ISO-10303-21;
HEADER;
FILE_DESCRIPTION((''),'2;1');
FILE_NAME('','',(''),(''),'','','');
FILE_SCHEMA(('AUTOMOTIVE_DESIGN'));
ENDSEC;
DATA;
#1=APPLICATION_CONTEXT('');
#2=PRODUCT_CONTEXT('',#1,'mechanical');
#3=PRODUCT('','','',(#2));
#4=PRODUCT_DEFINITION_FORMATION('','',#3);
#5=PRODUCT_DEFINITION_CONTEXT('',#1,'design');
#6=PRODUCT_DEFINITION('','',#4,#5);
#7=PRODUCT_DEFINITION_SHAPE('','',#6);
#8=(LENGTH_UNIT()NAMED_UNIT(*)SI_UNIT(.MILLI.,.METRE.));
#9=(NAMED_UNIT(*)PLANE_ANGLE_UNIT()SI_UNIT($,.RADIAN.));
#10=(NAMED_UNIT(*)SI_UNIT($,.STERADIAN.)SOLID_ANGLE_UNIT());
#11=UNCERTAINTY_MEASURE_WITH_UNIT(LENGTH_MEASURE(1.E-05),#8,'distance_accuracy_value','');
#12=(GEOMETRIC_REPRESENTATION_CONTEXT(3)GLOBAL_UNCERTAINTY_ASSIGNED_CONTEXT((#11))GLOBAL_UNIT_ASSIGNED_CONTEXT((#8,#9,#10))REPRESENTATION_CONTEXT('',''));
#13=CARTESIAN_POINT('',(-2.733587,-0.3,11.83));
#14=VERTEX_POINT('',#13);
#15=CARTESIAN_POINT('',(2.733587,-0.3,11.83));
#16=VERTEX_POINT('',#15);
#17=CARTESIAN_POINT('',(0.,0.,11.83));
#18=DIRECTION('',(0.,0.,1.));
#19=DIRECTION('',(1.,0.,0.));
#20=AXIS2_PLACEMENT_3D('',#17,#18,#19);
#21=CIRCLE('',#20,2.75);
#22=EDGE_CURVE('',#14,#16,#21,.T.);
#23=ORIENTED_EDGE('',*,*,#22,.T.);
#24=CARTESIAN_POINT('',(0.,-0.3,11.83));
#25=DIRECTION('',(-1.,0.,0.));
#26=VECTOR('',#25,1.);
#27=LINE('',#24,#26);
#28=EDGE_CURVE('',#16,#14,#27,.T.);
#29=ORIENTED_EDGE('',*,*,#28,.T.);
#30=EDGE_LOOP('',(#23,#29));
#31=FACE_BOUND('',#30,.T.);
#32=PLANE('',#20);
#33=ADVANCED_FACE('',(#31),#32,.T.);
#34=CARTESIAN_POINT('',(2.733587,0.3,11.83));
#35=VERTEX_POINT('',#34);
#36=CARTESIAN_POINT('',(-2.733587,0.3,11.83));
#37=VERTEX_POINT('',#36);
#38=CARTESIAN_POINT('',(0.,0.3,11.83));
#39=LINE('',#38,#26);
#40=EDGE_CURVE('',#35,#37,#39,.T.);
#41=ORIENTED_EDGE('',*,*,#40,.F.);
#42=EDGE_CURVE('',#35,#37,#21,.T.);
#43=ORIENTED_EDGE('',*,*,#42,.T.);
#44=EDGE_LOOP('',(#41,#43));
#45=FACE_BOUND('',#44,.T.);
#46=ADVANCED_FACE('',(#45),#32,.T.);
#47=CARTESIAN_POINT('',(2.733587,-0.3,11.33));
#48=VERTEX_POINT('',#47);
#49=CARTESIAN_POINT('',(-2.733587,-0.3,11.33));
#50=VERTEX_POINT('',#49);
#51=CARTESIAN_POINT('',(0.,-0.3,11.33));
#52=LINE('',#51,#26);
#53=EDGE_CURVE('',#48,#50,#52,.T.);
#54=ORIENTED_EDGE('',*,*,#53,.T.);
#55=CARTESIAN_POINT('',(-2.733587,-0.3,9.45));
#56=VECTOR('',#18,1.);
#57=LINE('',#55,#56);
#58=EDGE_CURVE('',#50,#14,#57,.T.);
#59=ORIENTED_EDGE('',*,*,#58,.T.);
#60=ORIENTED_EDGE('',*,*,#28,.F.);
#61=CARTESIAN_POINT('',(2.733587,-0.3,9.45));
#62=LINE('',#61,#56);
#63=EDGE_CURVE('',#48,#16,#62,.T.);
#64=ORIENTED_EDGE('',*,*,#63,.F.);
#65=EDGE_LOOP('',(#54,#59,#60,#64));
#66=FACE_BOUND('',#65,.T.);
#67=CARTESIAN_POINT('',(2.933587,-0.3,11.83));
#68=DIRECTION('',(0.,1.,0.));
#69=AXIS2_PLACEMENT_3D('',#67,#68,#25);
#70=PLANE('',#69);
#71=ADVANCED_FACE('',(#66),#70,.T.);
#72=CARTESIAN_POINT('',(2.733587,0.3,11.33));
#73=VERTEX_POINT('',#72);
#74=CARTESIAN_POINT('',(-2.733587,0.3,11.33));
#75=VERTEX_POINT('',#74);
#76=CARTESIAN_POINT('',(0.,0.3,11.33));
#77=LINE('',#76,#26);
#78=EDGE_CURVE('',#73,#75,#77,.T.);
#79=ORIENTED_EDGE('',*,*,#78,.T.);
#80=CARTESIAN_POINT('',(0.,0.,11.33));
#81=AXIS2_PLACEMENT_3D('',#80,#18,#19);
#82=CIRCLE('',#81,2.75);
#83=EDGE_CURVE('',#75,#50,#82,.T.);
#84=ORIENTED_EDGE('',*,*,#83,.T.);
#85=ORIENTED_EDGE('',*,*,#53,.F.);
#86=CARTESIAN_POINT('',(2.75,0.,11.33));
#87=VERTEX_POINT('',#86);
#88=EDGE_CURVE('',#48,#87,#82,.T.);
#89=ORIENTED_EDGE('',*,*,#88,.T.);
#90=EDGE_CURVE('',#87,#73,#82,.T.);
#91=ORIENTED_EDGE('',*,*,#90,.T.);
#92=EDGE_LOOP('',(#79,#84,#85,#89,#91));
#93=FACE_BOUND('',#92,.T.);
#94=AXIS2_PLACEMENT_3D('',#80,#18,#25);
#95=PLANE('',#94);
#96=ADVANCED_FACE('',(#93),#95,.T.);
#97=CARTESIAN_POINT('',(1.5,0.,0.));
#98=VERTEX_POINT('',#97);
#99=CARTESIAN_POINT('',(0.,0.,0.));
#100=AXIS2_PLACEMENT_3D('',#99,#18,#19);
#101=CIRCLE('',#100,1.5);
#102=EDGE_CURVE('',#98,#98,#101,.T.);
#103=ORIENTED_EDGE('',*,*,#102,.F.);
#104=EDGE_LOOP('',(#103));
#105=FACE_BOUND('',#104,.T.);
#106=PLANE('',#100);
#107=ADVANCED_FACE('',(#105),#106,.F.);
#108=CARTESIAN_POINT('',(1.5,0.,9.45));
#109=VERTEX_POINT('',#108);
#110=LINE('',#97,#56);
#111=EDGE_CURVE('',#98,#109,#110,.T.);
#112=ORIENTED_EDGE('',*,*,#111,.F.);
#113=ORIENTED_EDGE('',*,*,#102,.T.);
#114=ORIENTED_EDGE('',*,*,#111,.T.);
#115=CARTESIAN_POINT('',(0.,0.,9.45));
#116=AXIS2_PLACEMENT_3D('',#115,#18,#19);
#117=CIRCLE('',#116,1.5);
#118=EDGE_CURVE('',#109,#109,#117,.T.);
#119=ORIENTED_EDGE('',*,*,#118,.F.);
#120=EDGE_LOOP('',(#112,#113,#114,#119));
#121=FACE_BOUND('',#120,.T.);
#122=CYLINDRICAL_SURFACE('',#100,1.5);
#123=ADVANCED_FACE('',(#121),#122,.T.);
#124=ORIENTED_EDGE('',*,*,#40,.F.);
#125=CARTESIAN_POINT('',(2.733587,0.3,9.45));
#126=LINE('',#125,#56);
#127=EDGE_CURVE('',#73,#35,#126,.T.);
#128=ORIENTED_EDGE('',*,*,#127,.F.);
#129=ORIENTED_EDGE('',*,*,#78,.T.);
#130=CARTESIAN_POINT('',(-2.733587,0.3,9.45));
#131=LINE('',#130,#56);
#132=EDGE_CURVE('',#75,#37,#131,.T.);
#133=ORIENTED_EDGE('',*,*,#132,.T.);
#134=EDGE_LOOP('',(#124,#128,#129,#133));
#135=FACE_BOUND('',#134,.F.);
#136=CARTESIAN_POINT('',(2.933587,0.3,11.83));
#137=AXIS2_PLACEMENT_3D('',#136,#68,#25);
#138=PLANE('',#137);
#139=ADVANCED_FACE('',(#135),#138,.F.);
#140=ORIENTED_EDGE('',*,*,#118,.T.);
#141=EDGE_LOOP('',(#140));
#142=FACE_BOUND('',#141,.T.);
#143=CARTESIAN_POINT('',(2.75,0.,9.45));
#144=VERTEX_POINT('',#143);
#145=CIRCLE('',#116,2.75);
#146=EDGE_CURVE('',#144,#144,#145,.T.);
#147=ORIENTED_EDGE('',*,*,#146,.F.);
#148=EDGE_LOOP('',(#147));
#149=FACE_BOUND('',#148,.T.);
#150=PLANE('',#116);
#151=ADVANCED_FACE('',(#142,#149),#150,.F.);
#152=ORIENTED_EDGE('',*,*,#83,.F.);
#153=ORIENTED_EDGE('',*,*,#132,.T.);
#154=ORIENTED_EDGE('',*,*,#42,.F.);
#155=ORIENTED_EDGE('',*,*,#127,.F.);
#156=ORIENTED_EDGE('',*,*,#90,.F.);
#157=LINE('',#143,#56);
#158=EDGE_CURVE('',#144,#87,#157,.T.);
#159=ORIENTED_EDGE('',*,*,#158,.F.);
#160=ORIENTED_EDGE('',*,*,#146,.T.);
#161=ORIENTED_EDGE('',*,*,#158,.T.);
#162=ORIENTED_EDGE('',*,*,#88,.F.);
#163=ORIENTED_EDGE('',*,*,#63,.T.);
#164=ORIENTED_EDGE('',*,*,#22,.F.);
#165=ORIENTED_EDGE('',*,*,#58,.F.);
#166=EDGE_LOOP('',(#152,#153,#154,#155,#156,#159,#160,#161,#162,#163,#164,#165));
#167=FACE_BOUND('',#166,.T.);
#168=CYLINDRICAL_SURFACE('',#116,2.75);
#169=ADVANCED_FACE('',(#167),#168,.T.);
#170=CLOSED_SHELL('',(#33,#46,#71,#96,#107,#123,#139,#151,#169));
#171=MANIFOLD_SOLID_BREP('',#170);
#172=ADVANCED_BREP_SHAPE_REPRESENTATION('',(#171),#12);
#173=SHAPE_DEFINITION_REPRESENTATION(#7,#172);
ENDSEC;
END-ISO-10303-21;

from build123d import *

# Parameters (mm, degrees)
SKETCH001_W  = 5.867174
SKETCH001_H  = 0.6
POCKET_DEPTH = 0.5


with BuildPart() as part:
    # Sketch → Revolution (revolve)
    with BuildSketch(Plane.XZ):
        Polygon((0, 0), (1.5, 0), (1.5, 9.45), (2.75, 9.45), (2.75, 11.83), (0, 11.83), align=None)
    revolve(axis=Axis((0, 0, 0), (0, 0, 1)))

    # Sketch001 → Pocket (cut)
    with BuildSketch(Plane(origin=(0, 0, 11.83), x_dir=(-1, 0, 0), z_dir=(0, 0, 1))):
        Rectangle(SKETCH001_W, SKETCH001_H)
    extrude(amount=-POCKET_DEPTH, mode=Mode.SUBTRACT)


solid = part.part
